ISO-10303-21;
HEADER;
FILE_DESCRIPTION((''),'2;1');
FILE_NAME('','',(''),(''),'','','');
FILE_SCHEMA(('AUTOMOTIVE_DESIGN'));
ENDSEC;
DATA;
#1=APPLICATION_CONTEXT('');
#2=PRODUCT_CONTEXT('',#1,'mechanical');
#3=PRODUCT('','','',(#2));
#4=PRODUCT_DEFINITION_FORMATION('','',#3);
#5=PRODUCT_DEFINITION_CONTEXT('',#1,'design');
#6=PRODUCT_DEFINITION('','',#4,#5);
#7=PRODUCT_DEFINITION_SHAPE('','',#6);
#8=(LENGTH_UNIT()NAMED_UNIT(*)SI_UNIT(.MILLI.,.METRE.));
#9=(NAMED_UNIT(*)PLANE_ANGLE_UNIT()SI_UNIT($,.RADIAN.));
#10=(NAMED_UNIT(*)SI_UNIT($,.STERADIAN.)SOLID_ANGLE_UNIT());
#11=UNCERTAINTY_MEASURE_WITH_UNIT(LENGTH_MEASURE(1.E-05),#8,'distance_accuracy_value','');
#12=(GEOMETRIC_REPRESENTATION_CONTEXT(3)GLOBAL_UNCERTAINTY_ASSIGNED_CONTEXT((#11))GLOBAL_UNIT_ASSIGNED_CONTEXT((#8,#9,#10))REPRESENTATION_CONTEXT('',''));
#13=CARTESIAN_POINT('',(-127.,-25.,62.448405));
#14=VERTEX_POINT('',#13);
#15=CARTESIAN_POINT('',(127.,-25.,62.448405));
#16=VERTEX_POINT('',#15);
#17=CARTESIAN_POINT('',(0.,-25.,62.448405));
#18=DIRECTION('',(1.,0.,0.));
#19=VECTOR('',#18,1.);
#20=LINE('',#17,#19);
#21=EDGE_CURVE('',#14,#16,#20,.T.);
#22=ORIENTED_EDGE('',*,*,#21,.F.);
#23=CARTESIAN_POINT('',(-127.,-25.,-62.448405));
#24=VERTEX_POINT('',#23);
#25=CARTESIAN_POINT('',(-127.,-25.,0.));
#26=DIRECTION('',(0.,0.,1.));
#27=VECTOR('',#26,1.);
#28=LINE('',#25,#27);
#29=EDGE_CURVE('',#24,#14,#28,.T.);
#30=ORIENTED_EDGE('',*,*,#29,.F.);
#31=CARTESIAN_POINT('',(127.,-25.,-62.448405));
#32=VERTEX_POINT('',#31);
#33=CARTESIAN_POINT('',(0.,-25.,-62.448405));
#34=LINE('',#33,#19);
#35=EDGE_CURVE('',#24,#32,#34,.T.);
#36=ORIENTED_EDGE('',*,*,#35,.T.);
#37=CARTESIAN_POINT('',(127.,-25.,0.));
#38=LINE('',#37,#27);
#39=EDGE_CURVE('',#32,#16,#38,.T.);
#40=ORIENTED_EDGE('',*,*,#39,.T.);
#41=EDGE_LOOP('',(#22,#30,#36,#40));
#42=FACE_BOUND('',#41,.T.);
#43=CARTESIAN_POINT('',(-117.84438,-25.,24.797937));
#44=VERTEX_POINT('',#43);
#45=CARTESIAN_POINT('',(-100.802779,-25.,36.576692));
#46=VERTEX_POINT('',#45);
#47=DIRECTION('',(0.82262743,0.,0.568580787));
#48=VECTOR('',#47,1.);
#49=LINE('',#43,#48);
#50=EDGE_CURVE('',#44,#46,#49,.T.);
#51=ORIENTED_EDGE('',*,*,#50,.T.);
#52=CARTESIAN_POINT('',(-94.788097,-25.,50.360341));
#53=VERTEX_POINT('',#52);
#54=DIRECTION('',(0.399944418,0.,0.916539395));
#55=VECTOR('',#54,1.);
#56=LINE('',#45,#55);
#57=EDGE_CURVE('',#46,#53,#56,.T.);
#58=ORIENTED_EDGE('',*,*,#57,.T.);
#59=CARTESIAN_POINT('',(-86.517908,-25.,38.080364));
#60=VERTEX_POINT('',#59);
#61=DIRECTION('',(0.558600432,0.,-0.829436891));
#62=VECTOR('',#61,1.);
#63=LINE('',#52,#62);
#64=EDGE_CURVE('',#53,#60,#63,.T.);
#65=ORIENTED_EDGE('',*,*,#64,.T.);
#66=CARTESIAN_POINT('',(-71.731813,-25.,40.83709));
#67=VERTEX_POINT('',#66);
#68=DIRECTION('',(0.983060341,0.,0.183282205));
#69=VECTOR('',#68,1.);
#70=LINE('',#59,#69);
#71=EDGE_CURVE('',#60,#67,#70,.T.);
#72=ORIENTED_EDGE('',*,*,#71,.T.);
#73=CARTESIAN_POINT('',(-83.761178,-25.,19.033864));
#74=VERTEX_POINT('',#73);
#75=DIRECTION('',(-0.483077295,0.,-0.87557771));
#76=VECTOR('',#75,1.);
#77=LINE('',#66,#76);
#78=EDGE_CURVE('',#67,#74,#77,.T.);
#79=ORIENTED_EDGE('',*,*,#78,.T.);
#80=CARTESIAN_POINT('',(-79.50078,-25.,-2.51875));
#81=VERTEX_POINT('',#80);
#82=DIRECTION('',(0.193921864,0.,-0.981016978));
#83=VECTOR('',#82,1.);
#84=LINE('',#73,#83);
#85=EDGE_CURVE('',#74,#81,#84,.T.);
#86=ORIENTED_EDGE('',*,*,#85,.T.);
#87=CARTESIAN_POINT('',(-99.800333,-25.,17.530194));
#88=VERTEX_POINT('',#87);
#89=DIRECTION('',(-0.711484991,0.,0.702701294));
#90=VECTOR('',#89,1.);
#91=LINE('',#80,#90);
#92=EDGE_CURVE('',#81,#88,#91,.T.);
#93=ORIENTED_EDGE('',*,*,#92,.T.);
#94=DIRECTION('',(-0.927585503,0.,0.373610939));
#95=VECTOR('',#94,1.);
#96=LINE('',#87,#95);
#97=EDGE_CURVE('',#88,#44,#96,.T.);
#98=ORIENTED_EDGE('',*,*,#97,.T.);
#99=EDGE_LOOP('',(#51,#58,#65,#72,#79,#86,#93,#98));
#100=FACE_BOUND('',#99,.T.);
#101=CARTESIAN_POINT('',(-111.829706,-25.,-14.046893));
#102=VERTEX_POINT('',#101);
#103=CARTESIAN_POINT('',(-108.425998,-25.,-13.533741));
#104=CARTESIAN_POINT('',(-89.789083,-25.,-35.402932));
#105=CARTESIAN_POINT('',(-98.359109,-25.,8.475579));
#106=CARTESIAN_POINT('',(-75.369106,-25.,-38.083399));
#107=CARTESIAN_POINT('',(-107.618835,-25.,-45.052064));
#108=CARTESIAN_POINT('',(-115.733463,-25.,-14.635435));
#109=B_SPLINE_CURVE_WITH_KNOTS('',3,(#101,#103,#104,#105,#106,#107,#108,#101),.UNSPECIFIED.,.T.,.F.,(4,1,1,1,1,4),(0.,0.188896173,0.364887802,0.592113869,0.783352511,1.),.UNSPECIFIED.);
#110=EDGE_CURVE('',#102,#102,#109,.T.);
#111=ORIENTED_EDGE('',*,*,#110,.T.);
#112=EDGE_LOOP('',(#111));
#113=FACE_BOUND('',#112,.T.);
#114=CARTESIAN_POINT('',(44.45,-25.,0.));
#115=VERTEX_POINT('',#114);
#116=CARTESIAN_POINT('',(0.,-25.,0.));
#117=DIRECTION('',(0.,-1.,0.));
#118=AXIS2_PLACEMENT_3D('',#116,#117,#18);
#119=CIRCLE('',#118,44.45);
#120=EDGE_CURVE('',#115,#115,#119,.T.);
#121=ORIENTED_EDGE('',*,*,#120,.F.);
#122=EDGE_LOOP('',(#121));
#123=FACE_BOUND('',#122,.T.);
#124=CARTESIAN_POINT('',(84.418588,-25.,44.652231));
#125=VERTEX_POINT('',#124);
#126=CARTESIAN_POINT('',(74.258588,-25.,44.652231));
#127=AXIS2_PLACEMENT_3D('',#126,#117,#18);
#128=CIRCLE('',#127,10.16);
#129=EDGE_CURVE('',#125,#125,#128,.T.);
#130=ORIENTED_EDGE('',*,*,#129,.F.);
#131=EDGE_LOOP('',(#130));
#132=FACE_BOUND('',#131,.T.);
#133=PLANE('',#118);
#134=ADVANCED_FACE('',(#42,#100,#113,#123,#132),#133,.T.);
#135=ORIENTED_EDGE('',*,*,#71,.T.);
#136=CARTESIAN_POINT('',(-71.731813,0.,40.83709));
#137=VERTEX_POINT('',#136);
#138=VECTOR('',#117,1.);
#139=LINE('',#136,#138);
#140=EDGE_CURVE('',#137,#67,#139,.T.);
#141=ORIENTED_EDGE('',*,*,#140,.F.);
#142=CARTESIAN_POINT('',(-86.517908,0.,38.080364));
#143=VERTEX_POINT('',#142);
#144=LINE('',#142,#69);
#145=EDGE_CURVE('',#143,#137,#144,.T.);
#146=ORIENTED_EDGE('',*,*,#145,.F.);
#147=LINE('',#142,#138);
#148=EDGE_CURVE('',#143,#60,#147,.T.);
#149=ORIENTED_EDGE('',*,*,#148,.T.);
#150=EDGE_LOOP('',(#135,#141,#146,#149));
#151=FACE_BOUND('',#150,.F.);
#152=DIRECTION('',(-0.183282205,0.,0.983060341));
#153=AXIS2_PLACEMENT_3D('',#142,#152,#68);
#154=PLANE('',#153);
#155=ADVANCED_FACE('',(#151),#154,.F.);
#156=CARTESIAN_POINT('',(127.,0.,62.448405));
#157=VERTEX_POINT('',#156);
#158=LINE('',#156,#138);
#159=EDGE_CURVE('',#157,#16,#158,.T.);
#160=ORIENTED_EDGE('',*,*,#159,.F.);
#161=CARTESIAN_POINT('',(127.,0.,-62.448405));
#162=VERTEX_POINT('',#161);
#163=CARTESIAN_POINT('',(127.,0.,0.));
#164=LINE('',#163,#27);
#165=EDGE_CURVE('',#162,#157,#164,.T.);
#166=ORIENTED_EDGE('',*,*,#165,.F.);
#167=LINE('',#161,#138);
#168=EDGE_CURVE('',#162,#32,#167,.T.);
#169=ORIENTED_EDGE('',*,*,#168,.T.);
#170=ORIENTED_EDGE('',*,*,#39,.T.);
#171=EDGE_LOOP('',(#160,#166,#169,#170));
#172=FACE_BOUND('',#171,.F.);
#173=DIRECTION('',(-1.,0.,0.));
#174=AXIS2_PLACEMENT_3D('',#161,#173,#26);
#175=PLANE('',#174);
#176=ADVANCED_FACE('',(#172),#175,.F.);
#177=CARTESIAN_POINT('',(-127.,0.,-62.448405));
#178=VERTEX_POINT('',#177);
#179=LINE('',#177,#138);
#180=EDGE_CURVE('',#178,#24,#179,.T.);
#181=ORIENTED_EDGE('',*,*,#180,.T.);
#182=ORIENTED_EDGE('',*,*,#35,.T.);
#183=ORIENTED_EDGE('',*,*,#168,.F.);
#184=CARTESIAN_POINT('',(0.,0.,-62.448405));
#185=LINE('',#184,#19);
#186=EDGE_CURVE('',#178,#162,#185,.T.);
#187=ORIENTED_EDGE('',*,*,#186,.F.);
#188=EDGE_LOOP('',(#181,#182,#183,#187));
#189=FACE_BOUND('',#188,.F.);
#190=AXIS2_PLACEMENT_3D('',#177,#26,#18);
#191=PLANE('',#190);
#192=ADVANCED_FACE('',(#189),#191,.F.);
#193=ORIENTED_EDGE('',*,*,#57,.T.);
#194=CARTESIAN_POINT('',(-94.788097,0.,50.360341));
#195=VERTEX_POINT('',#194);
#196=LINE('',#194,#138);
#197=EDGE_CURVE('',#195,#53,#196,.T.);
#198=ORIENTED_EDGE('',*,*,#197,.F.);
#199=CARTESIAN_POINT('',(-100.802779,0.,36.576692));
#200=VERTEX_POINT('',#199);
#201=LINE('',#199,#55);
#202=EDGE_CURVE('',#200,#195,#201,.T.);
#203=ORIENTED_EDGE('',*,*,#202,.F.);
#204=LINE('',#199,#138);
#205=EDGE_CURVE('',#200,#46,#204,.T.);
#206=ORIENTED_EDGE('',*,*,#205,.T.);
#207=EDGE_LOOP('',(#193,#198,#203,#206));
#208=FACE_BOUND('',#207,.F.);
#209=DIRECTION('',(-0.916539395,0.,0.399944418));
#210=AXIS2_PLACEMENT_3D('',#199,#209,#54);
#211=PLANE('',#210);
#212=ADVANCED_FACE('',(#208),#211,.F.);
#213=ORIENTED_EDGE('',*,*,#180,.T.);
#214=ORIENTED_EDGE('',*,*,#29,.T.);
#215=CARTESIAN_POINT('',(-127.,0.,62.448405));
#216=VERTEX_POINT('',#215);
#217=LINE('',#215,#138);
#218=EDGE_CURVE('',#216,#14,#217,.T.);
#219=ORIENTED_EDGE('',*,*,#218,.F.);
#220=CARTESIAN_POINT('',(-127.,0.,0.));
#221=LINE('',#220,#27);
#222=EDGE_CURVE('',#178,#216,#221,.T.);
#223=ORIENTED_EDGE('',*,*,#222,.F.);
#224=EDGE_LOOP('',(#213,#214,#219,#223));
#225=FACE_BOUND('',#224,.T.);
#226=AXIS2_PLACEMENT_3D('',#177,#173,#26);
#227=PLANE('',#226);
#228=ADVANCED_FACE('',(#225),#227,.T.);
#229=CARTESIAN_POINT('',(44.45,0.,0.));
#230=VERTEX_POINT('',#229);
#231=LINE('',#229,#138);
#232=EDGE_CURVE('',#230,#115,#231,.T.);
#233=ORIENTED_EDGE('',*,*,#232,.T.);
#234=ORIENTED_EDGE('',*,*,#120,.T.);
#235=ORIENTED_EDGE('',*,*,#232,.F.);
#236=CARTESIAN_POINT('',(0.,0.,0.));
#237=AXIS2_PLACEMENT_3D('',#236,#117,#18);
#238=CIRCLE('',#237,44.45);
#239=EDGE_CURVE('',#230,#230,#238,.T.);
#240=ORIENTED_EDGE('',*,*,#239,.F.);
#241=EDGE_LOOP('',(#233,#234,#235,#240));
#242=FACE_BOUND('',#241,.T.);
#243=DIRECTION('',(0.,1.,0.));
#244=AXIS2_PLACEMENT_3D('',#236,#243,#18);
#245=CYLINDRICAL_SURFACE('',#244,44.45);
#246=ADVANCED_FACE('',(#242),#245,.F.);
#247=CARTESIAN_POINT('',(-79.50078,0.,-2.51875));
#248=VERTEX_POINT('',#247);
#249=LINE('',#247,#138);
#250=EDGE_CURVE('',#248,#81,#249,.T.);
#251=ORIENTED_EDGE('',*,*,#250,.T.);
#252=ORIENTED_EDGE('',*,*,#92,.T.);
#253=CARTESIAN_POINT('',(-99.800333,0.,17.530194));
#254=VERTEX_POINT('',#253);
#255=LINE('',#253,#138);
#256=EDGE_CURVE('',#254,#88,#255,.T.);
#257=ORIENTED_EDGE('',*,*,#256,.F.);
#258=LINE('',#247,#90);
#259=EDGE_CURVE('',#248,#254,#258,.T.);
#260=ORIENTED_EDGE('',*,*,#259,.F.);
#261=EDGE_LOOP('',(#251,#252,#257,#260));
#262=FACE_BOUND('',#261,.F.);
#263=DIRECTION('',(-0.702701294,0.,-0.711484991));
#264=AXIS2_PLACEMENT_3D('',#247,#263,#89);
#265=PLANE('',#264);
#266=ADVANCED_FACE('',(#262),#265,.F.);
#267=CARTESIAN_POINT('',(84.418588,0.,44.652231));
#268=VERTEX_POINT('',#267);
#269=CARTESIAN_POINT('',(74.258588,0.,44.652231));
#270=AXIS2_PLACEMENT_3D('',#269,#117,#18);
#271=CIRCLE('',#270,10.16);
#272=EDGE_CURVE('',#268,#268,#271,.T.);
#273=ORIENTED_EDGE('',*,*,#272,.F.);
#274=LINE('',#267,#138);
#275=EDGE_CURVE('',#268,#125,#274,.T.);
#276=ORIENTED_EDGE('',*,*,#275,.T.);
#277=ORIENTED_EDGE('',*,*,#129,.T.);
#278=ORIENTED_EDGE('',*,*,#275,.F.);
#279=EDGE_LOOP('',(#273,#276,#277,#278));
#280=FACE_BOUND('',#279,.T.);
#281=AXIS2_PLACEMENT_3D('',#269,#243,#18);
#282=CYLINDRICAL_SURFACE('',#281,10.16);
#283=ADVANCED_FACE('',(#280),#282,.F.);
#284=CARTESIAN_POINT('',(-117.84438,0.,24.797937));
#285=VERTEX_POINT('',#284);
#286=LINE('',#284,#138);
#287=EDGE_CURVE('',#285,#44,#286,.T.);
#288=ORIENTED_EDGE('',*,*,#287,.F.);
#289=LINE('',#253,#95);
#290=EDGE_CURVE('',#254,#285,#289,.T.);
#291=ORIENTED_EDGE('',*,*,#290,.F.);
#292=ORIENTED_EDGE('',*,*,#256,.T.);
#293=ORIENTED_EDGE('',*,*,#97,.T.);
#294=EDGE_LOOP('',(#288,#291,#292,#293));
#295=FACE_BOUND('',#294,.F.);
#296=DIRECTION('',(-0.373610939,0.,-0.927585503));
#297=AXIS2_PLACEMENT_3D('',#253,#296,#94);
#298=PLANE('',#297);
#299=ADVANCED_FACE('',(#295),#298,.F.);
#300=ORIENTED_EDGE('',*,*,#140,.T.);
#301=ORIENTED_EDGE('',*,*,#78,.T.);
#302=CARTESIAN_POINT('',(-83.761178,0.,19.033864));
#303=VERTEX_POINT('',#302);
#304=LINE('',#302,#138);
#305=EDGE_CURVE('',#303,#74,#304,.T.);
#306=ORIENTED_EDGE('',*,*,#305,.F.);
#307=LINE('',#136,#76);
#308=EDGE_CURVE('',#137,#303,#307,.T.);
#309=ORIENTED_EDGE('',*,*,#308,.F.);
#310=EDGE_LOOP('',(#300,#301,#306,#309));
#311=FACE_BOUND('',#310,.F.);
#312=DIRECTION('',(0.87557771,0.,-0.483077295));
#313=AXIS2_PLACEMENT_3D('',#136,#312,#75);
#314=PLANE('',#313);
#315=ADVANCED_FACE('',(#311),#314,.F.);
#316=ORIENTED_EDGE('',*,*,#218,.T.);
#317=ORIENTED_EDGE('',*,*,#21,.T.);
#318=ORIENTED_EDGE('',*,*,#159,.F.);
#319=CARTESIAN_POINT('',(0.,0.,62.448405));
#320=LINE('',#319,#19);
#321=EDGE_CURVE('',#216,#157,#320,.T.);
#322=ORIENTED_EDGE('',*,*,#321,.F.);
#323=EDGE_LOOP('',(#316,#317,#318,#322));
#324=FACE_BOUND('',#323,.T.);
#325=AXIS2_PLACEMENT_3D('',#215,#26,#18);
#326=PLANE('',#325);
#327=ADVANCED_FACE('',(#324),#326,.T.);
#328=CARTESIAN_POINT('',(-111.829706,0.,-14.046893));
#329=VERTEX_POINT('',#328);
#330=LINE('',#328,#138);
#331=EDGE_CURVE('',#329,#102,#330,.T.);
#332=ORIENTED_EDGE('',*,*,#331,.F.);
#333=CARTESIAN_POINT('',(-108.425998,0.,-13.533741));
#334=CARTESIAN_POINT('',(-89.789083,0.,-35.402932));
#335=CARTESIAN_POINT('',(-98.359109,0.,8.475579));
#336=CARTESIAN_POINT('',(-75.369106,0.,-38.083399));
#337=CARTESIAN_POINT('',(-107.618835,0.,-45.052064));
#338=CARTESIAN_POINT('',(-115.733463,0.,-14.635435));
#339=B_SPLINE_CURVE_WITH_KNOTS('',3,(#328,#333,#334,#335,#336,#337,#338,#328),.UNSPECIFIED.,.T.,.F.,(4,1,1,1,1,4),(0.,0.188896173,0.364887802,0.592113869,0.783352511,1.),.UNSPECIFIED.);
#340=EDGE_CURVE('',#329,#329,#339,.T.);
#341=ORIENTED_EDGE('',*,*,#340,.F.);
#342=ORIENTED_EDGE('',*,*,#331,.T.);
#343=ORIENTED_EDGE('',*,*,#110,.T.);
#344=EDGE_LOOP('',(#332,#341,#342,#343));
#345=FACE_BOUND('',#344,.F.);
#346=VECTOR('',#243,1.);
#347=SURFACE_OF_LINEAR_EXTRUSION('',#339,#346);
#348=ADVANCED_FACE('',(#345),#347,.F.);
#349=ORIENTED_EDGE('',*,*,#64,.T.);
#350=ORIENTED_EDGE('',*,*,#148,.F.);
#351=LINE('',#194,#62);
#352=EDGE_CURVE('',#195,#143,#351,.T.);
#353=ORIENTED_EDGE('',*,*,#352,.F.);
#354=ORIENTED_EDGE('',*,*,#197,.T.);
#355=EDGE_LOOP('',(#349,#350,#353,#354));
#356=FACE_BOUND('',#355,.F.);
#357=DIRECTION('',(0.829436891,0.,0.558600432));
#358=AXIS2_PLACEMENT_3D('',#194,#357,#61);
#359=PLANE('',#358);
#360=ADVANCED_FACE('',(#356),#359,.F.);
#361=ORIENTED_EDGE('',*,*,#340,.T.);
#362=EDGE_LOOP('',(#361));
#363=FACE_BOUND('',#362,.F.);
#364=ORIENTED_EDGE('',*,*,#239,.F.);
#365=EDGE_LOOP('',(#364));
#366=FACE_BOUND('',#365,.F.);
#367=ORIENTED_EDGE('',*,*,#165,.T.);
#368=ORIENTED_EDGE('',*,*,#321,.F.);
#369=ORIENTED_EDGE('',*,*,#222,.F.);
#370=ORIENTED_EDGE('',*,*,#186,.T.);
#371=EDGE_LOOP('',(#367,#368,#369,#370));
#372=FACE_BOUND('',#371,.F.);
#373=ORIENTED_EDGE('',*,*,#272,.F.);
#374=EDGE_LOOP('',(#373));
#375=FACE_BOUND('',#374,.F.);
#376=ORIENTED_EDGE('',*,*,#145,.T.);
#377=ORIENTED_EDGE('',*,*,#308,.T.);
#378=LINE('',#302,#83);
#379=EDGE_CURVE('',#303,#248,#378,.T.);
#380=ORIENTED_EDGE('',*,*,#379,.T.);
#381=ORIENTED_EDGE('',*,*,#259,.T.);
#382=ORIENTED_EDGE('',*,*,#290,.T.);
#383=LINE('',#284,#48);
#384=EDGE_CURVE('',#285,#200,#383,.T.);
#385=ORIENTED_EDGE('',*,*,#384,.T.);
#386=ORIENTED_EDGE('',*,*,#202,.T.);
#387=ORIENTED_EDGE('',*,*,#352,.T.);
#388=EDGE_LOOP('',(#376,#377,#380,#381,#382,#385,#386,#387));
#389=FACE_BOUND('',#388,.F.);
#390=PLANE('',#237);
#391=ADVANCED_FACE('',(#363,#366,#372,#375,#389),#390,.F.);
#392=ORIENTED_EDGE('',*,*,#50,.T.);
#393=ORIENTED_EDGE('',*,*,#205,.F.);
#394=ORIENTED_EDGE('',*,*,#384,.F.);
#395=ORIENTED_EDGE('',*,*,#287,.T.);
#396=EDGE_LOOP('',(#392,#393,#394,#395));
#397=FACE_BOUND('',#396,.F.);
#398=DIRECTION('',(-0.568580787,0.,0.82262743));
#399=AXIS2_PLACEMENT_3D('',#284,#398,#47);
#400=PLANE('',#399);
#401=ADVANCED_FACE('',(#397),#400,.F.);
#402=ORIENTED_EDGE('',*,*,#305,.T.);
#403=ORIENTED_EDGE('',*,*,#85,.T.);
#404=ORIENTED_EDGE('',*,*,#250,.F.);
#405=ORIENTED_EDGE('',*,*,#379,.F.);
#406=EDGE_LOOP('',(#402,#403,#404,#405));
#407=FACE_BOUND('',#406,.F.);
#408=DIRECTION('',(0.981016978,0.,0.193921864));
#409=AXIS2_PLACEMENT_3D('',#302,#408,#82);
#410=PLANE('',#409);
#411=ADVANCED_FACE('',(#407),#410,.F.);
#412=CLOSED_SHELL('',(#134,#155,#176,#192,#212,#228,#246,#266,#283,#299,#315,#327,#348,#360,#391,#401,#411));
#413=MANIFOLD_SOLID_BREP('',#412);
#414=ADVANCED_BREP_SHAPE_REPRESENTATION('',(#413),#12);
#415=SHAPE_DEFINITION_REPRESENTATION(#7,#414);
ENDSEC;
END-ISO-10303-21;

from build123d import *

# Parameters (mm, degrees)
F0_W     = 254
F0_H     = 124.89681042
F0_R     = 44.45
F0_R_2   = 10.16
F1_DEPTH = 25


with BuildPart() as f1:
    # F0 (on Front) → F1 (new body)
    with BuildSketch(Plane.XZ):
        Rectangle(F0_W, F0_H)
        with BuildLine():
            add(Edge.make_bspline(
                [(-111.8297055364, -14.0468934551), (-108.425997633, -13.5337411193), (-89.7890833693, -35.4029321863), (-98.3591092209, 8.4755792258), (-75.3691059536, -38.0833989268), (-107.6188350377, -45.052064293), (-115.733462609, -14.6354345746), (-111.8297055364, -14.0468934551)],
                knots=[0, 0, 0, 0, 0.1888961726, 0.3648878018, 0.5921138685, 0.7833525112, 1, 1, 1, 1], degree=3))
        make_face(mode=Mode.SUBTRACT)
        Polygon((-117.8443804383, 24.7979369015), (-100.8027791977, 36.5766920149), (-94.7880968451, 50.360340625), (-86.5179076791, 38.0803644657), (-71.731813252, 40.8370904624), (-83.7611779571, 19.0338641405), (-79.5007795095, -2.5187504943), (-99.8003333807, 17.5301935524), align=None, mode=Mode.SUBTRACT)
        Circle(F0_R, mode=Mode.SUBTRACT)
        with Locations((74.2585881539, 44.6522309495)):
            Circle(F0_R_2, mode=Mode.SUBTRACT)
    extrude(amount=F1_DEPTH)


solid = f1.part
